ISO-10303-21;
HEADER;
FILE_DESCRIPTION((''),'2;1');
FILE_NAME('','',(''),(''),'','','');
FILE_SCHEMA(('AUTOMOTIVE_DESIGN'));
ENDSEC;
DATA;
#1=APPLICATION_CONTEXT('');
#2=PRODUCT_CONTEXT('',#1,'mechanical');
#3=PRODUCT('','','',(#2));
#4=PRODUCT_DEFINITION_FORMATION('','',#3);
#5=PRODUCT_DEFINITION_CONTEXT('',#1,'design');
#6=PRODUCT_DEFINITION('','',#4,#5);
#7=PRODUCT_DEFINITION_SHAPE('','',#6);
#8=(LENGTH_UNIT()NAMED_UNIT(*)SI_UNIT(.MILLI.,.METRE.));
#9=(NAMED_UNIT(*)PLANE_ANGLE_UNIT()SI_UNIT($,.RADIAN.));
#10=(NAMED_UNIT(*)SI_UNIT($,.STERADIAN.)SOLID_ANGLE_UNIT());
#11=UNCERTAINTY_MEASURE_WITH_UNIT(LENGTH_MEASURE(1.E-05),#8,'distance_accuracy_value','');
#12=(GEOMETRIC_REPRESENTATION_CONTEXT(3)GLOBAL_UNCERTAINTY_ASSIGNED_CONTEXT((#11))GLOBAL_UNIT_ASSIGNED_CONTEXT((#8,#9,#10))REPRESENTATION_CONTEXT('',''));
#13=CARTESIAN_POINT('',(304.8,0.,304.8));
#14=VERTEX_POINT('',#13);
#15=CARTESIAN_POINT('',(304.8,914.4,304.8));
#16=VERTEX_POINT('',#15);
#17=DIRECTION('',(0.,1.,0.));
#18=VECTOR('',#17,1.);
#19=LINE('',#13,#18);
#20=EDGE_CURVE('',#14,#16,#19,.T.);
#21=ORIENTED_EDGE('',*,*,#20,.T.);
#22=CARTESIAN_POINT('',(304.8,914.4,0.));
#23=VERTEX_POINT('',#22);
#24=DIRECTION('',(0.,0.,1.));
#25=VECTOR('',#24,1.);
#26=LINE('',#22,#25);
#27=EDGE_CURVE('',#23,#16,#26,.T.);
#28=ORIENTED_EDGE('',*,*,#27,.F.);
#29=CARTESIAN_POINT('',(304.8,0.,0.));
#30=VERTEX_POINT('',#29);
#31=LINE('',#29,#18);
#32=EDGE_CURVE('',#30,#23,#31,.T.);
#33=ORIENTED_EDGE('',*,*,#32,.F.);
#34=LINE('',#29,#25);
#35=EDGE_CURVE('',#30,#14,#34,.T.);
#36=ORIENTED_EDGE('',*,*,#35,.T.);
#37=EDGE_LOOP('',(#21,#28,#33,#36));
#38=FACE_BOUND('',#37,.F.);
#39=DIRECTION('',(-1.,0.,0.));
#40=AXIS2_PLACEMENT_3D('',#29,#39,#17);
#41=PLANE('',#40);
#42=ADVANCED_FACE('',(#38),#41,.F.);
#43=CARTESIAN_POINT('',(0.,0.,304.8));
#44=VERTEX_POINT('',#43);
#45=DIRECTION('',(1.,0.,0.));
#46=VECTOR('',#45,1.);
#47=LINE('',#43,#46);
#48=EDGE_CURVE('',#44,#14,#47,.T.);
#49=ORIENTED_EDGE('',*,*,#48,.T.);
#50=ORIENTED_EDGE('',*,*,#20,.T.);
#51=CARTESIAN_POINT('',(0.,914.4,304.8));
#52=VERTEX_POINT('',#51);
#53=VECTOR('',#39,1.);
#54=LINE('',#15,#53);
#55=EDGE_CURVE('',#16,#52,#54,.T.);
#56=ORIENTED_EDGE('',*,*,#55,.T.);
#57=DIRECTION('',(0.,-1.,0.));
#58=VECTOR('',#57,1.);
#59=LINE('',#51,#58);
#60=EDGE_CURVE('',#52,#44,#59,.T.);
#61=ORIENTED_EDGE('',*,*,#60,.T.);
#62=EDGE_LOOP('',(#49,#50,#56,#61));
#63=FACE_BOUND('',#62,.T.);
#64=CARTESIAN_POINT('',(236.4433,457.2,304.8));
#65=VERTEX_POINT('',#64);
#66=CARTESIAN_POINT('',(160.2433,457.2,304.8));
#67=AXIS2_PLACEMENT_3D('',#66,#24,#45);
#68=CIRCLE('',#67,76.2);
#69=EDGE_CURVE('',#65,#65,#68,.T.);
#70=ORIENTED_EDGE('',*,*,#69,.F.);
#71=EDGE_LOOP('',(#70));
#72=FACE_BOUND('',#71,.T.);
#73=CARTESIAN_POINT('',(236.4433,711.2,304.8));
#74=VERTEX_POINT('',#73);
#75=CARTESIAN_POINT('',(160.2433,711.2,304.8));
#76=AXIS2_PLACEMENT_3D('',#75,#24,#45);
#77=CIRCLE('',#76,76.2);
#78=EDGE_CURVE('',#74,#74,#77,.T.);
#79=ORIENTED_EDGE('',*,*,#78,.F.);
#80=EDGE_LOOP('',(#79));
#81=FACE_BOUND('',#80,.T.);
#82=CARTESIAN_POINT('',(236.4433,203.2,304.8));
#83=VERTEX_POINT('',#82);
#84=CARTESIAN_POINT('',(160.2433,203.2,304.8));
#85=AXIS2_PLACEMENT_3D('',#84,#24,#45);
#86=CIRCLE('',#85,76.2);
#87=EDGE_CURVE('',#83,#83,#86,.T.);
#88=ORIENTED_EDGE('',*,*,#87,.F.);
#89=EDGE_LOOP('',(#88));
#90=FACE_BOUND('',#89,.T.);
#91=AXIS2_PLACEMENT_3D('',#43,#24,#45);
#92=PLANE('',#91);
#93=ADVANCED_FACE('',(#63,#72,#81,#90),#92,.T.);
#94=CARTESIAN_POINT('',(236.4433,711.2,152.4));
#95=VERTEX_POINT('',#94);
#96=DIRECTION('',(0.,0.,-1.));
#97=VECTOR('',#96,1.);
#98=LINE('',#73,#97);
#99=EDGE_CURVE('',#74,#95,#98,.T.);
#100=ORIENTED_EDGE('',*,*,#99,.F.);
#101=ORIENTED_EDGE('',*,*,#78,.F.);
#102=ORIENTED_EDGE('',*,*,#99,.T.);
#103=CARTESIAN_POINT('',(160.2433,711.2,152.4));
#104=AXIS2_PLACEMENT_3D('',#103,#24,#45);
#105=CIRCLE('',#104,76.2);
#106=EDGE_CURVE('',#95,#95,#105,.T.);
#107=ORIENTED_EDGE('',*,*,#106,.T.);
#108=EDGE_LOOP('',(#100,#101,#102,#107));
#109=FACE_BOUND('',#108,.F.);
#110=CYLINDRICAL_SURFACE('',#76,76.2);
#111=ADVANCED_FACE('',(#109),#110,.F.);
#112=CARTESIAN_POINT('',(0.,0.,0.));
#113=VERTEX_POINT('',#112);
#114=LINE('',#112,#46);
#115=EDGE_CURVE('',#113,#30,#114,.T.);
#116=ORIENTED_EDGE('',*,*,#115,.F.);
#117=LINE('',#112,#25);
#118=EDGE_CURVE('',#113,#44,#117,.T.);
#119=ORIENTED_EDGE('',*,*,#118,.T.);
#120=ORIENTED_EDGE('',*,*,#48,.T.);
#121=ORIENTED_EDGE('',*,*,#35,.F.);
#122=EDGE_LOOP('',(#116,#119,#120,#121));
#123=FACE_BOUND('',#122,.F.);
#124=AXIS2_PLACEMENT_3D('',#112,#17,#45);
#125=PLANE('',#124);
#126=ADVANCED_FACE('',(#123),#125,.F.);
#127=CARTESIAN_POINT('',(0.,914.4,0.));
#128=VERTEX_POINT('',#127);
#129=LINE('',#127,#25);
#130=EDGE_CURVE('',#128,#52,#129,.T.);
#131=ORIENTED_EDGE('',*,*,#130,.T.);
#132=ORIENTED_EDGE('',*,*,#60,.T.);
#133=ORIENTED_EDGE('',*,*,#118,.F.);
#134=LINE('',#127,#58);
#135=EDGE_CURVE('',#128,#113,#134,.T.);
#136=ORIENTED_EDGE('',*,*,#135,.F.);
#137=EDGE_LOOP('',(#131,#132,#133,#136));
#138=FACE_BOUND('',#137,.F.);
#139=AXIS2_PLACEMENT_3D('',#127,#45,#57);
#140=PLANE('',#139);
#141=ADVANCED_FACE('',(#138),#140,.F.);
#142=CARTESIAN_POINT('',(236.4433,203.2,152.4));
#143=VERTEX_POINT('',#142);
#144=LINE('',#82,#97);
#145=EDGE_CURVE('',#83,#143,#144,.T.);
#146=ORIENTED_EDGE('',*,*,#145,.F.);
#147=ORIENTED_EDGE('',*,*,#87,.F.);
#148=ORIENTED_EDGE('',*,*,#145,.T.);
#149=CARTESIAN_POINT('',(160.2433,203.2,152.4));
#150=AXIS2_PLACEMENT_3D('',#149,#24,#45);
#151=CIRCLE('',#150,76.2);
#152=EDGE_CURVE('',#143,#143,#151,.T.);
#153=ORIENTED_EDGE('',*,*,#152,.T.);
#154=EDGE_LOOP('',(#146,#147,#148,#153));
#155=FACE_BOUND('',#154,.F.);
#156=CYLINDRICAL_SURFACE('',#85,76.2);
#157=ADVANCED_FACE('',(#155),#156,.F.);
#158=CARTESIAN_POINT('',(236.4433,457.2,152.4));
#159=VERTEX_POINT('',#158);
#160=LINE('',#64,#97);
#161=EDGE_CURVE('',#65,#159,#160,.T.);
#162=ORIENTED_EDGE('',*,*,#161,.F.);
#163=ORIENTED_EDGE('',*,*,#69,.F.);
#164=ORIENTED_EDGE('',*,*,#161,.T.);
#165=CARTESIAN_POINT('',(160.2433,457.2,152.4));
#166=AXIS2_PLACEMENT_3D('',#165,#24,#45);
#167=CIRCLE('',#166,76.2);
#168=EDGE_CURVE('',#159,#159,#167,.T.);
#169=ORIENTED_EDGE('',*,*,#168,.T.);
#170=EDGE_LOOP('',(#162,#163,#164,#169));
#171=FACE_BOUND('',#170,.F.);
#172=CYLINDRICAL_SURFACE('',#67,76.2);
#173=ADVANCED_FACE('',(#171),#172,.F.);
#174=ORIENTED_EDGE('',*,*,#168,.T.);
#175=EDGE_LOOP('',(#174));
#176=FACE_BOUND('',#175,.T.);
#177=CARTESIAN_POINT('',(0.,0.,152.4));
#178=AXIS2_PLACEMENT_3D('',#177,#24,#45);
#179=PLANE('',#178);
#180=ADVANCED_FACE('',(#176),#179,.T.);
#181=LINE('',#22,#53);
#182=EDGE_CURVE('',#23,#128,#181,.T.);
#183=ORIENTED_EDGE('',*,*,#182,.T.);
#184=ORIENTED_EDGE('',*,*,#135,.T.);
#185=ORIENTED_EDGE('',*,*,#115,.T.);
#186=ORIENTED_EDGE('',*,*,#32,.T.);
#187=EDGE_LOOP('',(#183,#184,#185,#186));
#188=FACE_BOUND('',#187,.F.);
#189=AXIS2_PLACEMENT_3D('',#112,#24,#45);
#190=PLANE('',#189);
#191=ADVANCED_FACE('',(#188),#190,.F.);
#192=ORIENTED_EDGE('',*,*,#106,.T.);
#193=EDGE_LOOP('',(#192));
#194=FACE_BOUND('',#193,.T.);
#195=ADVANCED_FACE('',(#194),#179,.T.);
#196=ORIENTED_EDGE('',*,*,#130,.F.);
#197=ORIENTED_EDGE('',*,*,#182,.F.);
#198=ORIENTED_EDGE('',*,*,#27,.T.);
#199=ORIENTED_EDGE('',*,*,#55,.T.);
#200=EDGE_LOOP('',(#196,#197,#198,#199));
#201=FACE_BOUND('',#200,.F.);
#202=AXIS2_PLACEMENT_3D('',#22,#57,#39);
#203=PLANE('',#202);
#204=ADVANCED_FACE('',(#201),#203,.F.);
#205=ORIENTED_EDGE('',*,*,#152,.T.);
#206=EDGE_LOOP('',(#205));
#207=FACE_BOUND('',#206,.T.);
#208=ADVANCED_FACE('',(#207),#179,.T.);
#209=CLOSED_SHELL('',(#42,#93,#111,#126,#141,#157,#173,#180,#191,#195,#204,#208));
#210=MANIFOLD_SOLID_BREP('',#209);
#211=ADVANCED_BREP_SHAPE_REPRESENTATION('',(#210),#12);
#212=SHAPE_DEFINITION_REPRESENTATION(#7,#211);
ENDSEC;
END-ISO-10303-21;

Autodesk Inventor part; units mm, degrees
ref_plane "YZ Plane" through (0, 0, 0) normal (1, 0, 0) x (0, 1, 0)
ref_plane "XZ Plane" through (0, 0, 0) normal (0, 1, 0) x (-1, 0, 0)
ref_plane "XY Plane" through (0, 0, 0) normal (0, 0, 1) x (1, 0, 0)
sketch "Sketch1" plane through (0, 0, 0) normal (0, 0, 1) x (1, 0, 0)
  line L0 (0, 0) -> (304.8, 0)
  line L1 (304.8, 0) -> (304.8, 914.4)
  line L2 (304.8, 914.4) -> (0, 914.4)
  line L3 (0, 914.4) -> (0, 0)
  dimension "d0" = 304.8
  dimension "d1" = 914.4
extrude "Extrusion1" add sketch "Sketch1" along normal blind 304.8
sketch "Sketch2" plane through (0, 0, 304.8) normal (0, 0, 1) x (1, 0, 0)
  line L0 (0, 0) -> (304.8, 0) projected
  line L1 (304.8, 0) -> (304.8, 914.4) projected
  line L2 (304.8, 914.4) -> (0, 914.4) projected
  line L3 (0, 914.4) -> (0, 0) projected
  circle A0 centre (160.2433, 711.2) radius 76.2
  circle A1 centre (160.2433, 457.2) radius 76.2
  circle A2 centre (160.2433, 203.2) radius 76.2
  line L4 (304.8, 914.4) -> (0, 914.4) construction
  line L5 (160.2433, 914.4) -> (160.2433, 895.9675) construction
  dimension "d4" = 152.4
  dimension "d5" = 0
  dimension "d6" = 152.4
  dimension "d7" = 152.4
  dimension "d8" = 254
  dimension "d9" = 254
  dimension "d10" = -203.2
extrude "Extrusion2" cut sketch "Sketch2" against normal blind 152.4 contours A0 | A1 | A2
equation "\"d6\" = d4"
equation "\"d7\" = d4"
equation "\"d9\" = d8"
equation "\"d10\" = -0.5 * d1 + d8"
properties part number "traffic light"
